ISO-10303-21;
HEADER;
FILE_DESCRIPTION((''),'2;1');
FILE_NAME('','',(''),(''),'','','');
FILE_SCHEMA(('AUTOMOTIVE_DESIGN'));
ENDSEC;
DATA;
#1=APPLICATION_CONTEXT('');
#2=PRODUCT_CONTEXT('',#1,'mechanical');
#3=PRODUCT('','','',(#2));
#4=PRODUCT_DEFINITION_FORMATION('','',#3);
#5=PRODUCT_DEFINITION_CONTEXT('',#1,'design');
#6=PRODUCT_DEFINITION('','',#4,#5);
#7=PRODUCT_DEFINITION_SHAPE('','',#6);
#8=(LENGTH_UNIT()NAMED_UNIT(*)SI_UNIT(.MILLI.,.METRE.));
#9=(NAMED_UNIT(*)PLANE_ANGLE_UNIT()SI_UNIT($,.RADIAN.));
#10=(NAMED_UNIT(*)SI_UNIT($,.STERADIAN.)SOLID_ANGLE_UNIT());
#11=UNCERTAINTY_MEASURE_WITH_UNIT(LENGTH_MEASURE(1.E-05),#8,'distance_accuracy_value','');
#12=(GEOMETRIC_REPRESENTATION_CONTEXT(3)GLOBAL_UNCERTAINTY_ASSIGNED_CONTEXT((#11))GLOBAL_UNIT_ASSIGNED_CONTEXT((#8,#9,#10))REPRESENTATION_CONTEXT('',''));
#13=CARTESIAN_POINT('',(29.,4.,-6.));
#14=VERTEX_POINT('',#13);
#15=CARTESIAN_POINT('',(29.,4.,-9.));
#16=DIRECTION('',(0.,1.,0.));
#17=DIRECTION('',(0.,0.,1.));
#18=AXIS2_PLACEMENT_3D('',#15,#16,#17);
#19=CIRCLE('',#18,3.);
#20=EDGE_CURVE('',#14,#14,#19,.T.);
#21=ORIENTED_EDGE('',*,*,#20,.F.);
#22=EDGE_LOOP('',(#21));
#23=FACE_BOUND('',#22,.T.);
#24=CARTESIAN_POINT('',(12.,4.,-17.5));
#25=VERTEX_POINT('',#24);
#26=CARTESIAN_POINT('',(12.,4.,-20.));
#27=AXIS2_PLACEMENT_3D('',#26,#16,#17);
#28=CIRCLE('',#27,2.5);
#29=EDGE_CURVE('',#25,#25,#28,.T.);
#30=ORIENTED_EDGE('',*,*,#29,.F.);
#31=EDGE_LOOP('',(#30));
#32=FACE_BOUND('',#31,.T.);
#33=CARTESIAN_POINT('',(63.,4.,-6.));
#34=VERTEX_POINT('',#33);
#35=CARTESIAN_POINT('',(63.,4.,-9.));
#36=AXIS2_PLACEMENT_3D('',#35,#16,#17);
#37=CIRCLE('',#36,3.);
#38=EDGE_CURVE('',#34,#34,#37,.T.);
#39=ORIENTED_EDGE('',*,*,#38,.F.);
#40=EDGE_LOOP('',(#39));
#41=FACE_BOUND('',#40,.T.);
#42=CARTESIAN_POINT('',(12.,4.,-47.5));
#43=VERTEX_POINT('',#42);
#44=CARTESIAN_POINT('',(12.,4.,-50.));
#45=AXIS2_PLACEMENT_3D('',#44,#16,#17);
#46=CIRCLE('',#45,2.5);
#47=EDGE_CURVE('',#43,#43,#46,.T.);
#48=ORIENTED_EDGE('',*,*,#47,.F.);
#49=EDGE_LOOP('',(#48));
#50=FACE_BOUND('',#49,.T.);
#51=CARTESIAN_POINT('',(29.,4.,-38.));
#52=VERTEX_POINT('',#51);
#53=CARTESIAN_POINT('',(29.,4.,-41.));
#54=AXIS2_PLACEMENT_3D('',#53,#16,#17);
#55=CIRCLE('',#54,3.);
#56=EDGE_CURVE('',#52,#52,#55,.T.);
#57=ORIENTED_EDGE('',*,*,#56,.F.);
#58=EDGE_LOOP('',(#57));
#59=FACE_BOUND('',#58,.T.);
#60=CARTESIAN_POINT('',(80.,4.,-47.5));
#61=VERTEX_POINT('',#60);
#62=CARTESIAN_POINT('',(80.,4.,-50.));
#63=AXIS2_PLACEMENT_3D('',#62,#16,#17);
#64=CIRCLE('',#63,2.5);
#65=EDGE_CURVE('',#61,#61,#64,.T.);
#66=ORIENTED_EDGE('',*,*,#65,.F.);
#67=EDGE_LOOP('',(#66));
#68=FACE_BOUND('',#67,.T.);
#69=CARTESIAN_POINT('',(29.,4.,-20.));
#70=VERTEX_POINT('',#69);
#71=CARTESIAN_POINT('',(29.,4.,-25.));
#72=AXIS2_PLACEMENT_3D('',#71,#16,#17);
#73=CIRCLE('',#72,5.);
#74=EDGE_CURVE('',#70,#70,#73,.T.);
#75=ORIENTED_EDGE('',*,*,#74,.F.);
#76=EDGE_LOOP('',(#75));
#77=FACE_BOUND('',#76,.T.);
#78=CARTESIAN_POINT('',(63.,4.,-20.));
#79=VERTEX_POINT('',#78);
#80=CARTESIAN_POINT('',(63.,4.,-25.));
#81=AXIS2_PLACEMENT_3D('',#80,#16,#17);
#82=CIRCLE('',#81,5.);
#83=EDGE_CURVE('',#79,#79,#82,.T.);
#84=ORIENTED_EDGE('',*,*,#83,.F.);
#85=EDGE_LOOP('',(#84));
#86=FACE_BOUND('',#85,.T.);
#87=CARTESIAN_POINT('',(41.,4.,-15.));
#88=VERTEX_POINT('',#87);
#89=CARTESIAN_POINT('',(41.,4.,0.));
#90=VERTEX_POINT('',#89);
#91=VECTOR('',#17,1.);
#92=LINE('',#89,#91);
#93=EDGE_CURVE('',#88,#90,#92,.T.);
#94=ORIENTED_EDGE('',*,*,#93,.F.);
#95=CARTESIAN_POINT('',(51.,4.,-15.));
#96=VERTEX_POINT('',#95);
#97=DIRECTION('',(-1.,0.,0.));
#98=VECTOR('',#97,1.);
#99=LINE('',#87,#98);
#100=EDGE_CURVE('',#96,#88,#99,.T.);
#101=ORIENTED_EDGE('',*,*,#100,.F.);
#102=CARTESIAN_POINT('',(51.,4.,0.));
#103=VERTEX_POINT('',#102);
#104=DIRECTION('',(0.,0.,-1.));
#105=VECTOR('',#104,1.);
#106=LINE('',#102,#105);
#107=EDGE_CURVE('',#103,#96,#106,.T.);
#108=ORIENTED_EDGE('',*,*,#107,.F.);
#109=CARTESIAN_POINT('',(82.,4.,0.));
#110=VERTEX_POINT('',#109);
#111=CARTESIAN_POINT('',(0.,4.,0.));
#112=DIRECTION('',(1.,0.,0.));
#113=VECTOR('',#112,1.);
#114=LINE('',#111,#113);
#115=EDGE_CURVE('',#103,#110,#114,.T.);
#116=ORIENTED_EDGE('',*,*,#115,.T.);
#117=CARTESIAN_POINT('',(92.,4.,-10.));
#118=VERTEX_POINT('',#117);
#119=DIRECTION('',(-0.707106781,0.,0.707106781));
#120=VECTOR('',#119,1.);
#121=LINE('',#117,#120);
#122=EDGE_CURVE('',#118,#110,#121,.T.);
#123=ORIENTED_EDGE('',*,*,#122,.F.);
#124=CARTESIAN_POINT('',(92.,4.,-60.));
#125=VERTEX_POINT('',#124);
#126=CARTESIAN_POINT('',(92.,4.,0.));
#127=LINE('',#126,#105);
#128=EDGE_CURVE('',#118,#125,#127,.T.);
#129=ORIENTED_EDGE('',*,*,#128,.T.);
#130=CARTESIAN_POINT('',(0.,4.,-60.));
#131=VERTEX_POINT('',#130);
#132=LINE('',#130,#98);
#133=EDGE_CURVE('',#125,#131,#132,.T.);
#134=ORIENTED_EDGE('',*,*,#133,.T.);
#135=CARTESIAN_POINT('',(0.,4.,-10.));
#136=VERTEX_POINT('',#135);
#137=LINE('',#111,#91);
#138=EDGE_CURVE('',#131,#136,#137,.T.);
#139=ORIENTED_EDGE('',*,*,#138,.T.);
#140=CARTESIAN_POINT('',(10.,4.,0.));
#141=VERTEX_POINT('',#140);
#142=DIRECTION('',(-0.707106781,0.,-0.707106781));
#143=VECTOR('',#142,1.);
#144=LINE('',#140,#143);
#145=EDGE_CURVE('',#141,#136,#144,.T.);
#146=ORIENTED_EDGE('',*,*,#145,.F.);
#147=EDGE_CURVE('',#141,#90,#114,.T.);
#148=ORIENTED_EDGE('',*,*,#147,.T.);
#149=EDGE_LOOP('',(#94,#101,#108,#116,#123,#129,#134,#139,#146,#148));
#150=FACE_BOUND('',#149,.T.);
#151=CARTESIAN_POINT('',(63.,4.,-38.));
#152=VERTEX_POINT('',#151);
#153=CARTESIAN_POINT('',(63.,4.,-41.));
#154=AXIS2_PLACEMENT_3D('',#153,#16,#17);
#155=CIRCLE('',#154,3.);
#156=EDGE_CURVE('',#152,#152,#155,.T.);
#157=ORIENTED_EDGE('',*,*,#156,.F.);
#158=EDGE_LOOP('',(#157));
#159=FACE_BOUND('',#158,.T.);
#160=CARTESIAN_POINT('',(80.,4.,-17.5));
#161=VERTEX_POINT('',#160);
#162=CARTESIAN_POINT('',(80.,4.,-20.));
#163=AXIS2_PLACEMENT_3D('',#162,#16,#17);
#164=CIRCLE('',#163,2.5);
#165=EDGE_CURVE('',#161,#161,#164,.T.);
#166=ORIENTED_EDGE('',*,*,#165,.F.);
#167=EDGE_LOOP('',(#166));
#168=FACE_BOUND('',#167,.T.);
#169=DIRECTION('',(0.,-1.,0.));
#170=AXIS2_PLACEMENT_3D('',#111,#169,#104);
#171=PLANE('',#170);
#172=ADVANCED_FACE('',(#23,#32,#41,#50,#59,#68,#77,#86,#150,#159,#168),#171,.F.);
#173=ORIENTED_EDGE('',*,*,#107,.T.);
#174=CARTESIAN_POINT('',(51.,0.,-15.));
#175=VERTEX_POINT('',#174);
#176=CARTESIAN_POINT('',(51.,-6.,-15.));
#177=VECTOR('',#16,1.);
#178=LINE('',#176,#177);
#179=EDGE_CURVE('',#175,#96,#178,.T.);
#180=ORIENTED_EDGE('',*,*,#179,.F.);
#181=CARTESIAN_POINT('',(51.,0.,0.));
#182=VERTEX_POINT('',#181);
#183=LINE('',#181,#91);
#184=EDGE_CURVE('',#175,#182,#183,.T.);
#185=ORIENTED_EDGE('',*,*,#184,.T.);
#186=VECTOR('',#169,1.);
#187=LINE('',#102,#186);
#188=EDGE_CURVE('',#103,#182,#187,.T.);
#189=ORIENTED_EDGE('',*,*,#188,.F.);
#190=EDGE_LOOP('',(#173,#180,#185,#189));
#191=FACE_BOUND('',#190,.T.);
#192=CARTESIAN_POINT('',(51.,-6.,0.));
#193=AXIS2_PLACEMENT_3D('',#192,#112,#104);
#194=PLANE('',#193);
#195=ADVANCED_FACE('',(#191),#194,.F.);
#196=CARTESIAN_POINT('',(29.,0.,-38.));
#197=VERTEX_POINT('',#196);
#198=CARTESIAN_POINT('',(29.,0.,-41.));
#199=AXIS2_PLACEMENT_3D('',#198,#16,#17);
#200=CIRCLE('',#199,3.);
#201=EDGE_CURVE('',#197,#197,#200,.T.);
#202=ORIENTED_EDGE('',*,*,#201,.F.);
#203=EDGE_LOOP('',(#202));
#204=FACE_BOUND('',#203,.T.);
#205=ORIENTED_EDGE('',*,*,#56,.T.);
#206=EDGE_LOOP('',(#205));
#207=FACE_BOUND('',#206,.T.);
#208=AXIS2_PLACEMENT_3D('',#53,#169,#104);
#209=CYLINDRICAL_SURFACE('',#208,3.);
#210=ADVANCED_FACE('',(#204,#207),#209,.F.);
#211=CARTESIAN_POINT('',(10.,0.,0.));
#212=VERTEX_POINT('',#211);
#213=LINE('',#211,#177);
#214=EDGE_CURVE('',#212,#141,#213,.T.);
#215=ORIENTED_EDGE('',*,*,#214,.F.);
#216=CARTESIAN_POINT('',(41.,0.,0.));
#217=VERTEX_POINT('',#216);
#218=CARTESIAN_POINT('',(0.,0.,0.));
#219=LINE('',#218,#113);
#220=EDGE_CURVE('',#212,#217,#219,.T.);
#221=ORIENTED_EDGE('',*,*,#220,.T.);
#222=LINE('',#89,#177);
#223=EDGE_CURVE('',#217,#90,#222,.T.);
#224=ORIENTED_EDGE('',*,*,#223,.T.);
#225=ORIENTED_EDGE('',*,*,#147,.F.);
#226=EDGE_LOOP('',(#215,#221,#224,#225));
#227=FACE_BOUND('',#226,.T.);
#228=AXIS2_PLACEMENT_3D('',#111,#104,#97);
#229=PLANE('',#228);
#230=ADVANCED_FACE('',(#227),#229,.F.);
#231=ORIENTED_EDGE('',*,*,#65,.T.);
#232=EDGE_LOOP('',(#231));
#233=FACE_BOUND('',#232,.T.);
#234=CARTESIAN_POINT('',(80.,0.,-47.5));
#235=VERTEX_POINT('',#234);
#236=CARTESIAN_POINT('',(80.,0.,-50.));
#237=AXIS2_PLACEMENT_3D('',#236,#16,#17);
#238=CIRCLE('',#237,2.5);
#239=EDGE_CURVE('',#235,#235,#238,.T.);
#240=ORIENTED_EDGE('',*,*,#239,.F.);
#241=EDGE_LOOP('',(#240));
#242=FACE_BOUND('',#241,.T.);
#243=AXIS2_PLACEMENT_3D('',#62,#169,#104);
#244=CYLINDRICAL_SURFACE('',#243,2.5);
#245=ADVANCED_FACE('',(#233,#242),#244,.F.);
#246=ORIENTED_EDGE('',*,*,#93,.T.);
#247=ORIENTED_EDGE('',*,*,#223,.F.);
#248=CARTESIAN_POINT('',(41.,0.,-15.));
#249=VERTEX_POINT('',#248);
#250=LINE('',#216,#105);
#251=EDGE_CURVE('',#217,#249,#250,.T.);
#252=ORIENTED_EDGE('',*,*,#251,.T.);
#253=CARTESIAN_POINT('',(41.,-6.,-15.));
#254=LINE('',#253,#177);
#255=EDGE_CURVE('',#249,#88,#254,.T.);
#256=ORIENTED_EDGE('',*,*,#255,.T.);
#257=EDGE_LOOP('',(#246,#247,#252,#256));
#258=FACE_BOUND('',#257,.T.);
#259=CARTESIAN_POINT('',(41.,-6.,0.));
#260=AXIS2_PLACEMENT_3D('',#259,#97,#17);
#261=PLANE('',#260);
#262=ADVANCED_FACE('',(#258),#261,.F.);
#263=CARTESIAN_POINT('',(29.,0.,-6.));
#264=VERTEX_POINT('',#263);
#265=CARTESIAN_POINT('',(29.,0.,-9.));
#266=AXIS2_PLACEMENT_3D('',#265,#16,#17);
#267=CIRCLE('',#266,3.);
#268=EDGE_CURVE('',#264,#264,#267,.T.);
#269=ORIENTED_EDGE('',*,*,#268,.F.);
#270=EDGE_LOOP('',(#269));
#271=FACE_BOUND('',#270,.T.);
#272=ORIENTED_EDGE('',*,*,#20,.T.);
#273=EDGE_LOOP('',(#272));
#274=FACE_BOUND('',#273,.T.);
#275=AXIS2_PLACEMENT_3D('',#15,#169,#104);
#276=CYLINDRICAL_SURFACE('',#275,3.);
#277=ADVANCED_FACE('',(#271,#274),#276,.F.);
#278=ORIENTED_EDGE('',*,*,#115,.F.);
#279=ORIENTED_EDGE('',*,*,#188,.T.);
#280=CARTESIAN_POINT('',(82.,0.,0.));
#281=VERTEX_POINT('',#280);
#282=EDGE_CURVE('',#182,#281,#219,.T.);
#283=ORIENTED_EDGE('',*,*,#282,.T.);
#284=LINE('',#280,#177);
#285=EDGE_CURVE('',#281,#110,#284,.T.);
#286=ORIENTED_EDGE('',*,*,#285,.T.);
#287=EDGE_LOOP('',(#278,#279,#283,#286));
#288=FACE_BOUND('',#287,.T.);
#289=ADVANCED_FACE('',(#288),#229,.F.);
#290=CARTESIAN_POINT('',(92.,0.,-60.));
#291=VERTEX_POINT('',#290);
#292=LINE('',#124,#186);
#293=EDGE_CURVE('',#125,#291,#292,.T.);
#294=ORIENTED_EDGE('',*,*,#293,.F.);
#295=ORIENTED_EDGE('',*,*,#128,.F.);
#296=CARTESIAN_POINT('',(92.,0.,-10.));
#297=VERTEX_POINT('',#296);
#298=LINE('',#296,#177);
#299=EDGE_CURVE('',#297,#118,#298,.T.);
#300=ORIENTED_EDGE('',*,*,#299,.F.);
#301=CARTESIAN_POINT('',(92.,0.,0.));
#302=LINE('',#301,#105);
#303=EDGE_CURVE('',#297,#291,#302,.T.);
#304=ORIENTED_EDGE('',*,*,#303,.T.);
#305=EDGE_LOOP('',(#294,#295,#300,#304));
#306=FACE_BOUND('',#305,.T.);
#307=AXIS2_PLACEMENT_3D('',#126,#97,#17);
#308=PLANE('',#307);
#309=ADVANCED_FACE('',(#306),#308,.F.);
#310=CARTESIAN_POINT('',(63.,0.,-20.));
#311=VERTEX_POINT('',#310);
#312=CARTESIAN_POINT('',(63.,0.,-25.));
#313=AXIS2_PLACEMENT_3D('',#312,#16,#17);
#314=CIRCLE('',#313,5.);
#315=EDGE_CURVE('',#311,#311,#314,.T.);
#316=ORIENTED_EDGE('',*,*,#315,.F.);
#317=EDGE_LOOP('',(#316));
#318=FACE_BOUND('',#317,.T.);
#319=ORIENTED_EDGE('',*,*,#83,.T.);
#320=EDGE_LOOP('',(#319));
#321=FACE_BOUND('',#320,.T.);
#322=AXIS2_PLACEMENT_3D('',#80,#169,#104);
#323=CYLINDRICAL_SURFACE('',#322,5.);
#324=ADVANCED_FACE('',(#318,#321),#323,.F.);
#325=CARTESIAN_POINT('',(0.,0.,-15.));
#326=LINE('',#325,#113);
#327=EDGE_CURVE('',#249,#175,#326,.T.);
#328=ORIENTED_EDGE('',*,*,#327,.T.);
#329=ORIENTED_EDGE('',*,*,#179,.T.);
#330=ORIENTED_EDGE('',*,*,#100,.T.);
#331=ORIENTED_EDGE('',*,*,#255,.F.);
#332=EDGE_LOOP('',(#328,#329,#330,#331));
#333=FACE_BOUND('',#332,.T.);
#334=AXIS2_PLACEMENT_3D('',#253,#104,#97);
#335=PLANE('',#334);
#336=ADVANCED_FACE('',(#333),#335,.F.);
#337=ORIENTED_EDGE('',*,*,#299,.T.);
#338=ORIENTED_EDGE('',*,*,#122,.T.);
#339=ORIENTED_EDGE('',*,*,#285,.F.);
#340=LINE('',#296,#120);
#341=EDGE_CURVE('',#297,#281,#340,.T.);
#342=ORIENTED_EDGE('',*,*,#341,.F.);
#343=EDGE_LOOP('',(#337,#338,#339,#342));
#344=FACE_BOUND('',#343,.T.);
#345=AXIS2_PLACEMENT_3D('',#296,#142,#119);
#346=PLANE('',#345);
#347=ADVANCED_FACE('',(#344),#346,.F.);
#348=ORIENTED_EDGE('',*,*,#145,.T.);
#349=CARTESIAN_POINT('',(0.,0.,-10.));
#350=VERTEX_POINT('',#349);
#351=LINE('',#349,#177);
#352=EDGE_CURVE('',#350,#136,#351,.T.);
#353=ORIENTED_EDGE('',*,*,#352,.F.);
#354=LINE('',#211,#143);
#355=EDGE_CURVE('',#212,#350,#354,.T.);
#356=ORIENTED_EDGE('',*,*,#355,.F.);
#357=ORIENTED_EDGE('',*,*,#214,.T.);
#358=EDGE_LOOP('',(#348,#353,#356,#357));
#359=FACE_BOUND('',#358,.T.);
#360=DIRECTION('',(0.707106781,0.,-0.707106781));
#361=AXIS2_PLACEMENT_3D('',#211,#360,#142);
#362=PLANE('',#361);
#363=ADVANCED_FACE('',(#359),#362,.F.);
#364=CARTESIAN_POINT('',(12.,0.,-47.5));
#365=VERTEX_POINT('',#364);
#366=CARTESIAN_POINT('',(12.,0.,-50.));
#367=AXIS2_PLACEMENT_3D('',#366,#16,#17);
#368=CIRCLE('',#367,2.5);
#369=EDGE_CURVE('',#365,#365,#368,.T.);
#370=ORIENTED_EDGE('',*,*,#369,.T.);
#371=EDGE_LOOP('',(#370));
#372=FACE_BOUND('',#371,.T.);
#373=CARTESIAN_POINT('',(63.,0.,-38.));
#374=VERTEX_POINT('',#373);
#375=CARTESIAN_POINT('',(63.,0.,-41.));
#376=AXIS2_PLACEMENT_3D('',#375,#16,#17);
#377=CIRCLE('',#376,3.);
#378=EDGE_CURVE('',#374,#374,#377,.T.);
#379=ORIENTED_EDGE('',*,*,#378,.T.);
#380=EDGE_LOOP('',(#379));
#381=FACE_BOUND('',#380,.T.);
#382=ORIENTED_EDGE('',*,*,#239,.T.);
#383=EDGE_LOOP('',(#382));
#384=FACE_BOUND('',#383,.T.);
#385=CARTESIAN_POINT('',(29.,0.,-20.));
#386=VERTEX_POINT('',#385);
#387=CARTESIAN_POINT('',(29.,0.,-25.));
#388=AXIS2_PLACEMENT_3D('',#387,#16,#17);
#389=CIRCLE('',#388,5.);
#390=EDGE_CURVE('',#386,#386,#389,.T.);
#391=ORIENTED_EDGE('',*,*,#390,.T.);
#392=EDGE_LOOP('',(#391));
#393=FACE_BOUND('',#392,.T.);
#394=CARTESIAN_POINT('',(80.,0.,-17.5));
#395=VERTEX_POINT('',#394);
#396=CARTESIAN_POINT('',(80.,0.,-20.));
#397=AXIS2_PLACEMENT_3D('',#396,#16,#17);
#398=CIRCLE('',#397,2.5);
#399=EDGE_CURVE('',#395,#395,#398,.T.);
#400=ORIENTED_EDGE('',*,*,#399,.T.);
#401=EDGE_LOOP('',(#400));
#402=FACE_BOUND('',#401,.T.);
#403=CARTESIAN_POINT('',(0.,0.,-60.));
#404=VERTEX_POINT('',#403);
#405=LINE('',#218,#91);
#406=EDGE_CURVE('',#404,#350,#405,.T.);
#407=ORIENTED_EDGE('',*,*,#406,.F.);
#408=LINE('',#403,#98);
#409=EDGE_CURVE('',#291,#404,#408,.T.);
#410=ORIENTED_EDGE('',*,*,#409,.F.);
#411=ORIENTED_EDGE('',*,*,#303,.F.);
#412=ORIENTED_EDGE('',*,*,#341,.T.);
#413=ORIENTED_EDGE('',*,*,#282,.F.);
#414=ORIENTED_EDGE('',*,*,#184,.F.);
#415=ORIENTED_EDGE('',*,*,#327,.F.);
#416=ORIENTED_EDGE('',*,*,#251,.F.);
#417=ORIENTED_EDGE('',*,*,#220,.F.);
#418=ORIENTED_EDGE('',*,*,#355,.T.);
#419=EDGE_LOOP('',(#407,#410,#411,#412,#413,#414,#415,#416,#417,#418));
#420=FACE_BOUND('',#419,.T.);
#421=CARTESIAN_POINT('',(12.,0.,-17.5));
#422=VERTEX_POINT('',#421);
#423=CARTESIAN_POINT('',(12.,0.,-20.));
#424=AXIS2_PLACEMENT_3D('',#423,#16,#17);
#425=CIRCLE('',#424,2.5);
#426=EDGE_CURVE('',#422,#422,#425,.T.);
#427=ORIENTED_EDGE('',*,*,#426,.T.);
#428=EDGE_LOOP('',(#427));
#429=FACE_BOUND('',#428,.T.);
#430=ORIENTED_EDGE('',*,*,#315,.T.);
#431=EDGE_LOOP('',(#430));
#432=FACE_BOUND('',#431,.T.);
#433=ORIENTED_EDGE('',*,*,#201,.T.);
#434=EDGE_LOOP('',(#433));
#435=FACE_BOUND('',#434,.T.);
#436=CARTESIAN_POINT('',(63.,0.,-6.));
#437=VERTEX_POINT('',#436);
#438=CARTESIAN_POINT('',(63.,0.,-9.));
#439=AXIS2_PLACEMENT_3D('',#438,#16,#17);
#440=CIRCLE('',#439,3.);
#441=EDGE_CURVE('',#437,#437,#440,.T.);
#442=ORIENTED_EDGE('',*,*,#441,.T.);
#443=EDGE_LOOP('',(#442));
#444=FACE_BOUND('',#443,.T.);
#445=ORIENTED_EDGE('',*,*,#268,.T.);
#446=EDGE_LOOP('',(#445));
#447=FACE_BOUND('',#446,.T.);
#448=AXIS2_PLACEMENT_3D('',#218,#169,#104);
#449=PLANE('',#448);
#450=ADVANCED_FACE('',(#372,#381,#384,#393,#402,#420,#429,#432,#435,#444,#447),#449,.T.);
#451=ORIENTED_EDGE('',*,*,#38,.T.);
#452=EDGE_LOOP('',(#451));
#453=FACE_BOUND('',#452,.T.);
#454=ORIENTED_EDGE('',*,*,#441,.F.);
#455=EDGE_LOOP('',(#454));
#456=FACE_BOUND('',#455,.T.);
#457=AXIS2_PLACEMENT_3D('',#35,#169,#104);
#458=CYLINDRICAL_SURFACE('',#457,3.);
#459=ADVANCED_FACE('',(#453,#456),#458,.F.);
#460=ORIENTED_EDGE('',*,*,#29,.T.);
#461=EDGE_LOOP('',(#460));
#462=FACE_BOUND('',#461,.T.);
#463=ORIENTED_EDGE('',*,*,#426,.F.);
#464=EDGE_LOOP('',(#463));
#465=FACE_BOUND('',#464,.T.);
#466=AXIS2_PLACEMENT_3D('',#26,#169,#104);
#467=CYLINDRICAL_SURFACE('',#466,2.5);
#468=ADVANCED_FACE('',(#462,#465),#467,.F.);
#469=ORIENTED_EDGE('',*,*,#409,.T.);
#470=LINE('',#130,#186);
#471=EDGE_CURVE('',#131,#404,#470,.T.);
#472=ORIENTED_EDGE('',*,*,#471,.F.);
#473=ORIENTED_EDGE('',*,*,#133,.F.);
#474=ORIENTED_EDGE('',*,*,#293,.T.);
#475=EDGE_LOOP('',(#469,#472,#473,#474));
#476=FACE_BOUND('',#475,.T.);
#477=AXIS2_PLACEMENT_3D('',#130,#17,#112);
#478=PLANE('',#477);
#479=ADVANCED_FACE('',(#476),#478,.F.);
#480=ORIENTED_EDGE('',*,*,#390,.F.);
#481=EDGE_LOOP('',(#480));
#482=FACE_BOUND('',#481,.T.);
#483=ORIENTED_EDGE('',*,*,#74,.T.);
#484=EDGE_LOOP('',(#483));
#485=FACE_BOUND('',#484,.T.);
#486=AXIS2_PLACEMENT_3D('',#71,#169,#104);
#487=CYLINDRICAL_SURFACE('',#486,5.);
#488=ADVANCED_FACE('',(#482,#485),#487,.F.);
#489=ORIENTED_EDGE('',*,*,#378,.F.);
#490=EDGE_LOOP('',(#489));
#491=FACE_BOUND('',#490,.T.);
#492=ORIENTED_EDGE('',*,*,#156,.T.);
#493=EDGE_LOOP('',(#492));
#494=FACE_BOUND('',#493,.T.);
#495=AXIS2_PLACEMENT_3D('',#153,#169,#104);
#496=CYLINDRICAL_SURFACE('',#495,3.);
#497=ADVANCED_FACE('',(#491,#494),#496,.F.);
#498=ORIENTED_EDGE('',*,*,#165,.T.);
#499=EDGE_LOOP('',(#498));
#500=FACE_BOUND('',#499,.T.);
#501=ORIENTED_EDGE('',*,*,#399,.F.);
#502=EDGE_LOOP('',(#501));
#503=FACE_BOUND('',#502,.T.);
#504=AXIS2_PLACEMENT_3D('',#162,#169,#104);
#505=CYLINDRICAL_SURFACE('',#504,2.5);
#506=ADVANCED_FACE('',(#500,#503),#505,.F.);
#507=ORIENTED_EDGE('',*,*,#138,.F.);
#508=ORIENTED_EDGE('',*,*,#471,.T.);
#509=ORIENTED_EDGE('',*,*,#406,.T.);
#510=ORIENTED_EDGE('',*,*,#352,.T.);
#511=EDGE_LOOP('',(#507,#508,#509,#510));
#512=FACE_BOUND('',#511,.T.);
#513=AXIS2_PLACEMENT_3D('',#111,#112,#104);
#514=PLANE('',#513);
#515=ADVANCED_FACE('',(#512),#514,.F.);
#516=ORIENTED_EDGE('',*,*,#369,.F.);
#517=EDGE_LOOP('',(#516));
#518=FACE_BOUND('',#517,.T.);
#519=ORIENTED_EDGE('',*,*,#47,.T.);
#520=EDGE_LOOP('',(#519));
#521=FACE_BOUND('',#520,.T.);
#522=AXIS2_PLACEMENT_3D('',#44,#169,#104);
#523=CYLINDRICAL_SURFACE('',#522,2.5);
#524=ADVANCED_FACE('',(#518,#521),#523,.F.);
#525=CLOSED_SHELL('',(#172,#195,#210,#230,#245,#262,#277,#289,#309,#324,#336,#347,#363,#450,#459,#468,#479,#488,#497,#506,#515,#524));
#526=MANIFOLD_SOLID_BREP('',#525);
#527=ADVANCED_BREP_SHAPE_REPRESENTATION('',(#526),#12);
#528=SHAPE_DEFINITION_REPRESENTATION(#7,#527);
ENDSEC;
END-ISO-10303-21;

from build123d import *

# Parameters (mm, degrees)
SKETCH_1_W          = 92
SKETCH_1_H          = 60
SKETCH_1_R          = 2.5
SKETCH_1_R_2        = 5
SKETCH_1_R_3        = 3
EXTRUDE_1_DEPTH     = 4
SKETCH_2_W          = 10
SKETCH_2_H          = 15
CUT_EXTRUDE_1_DEPTH = 10
CUT_EXTRUDE_2_DEPTH = 4


with BuildPart() as part:
    # Эскиз1 → Бобышка-Вытянуть1 (new body)
    with BuildSketch(Plane(origin=(0, 0, 0), x_dir=(1, 0, 0), z_dir=(0, 1, 0))):
        with Locations((46, 30)):
            Rectangle(SKETCH_1_W, SKETCH_1_H)
        with Locations(Location((12, 50, 0), (0, 0, 270))):
            Circle(SKETCH_1_R, mode=Mode.SUBTRACT)
        with Locations(Location((12, 20, 0), (0, 0, 270))):
            Circle(SKETCH_1_R, mode=Mode.SUBTRACT)
        with Locations(Location((80, 50, 0), (0, 0, 270))):
            Circle(SKETCH_1_R, mode=Mode.SUBTRACT)
        with Locations(Location((80, 20, 0), (0, 0, 270))):
            Circle(SKETCH_1_R, mode=Mode.SUBTRACT)
        with Locations(Location((29, 25, 0), (0, 0, 270))):
            Circle(SKETCH_1_R_2, mode=Mode.SUBTRACT)
        with Locations(Location((63, 25, 0), (0, 0, 270))):
            Circle(SKETCH_1_R_2, mode=Mode.SUBTRACT)
        with Locations(Location((29, 41, 0), (0, 0, 270))):
            Circle(SKETCH_1_R_3, mode=Mode.SUBTRACT)
        with Locations(Location((29, 9, 0), (0, 0, 270))):
            Circle(SKETCH_1_R_3, mode=Mode.SUBTRACT)
        with Locations(Location((63, 41, 0), (0, 0, 270))):
            Circle(SKETCH_1_R_3, mode=Mode.SUBTRACT)
        with Locations(Location((63, 9, 0), (0, 0, 270))):
            Circle(SKETCH_1_R_3, mode=Mode.SUBTRACT)
    extrude(amount=EXTRUDE_1_DEPTH)

    # Эскиз2 → Вырез-Вытянуть1 (cut)
    with BuildSketch(Plane(origin=(0, 4, 0), x_dir=(1, 0, 0), z_dir=(0, 1, 0))):
        with Locations((46, 7.5)):
            Rectangle(SKETCH_2_W, SKETCH_2_H)
    extrude(amount=-CUT_EXTRUDE_1_DEPTH, mode=Mode.SUBTRACT)

    # Эскиз3 → Вырез-Вытянуть2 (cut)
    with BuildSketch(Plane(origin=(0, 4, 0), x_dir=(1, 0, 0), z_dir=(0, 1, 0))):
        Polygon((10, 0), (0, 10), (0, 0), align=None)
        Polygon((92, 0), (92, 10), (82, 0), align=None)
    extrude(amount=-CUT_EXTRUDE_2_DEPTH, mode=Mode.SUBTRACT)


solid = part.part
